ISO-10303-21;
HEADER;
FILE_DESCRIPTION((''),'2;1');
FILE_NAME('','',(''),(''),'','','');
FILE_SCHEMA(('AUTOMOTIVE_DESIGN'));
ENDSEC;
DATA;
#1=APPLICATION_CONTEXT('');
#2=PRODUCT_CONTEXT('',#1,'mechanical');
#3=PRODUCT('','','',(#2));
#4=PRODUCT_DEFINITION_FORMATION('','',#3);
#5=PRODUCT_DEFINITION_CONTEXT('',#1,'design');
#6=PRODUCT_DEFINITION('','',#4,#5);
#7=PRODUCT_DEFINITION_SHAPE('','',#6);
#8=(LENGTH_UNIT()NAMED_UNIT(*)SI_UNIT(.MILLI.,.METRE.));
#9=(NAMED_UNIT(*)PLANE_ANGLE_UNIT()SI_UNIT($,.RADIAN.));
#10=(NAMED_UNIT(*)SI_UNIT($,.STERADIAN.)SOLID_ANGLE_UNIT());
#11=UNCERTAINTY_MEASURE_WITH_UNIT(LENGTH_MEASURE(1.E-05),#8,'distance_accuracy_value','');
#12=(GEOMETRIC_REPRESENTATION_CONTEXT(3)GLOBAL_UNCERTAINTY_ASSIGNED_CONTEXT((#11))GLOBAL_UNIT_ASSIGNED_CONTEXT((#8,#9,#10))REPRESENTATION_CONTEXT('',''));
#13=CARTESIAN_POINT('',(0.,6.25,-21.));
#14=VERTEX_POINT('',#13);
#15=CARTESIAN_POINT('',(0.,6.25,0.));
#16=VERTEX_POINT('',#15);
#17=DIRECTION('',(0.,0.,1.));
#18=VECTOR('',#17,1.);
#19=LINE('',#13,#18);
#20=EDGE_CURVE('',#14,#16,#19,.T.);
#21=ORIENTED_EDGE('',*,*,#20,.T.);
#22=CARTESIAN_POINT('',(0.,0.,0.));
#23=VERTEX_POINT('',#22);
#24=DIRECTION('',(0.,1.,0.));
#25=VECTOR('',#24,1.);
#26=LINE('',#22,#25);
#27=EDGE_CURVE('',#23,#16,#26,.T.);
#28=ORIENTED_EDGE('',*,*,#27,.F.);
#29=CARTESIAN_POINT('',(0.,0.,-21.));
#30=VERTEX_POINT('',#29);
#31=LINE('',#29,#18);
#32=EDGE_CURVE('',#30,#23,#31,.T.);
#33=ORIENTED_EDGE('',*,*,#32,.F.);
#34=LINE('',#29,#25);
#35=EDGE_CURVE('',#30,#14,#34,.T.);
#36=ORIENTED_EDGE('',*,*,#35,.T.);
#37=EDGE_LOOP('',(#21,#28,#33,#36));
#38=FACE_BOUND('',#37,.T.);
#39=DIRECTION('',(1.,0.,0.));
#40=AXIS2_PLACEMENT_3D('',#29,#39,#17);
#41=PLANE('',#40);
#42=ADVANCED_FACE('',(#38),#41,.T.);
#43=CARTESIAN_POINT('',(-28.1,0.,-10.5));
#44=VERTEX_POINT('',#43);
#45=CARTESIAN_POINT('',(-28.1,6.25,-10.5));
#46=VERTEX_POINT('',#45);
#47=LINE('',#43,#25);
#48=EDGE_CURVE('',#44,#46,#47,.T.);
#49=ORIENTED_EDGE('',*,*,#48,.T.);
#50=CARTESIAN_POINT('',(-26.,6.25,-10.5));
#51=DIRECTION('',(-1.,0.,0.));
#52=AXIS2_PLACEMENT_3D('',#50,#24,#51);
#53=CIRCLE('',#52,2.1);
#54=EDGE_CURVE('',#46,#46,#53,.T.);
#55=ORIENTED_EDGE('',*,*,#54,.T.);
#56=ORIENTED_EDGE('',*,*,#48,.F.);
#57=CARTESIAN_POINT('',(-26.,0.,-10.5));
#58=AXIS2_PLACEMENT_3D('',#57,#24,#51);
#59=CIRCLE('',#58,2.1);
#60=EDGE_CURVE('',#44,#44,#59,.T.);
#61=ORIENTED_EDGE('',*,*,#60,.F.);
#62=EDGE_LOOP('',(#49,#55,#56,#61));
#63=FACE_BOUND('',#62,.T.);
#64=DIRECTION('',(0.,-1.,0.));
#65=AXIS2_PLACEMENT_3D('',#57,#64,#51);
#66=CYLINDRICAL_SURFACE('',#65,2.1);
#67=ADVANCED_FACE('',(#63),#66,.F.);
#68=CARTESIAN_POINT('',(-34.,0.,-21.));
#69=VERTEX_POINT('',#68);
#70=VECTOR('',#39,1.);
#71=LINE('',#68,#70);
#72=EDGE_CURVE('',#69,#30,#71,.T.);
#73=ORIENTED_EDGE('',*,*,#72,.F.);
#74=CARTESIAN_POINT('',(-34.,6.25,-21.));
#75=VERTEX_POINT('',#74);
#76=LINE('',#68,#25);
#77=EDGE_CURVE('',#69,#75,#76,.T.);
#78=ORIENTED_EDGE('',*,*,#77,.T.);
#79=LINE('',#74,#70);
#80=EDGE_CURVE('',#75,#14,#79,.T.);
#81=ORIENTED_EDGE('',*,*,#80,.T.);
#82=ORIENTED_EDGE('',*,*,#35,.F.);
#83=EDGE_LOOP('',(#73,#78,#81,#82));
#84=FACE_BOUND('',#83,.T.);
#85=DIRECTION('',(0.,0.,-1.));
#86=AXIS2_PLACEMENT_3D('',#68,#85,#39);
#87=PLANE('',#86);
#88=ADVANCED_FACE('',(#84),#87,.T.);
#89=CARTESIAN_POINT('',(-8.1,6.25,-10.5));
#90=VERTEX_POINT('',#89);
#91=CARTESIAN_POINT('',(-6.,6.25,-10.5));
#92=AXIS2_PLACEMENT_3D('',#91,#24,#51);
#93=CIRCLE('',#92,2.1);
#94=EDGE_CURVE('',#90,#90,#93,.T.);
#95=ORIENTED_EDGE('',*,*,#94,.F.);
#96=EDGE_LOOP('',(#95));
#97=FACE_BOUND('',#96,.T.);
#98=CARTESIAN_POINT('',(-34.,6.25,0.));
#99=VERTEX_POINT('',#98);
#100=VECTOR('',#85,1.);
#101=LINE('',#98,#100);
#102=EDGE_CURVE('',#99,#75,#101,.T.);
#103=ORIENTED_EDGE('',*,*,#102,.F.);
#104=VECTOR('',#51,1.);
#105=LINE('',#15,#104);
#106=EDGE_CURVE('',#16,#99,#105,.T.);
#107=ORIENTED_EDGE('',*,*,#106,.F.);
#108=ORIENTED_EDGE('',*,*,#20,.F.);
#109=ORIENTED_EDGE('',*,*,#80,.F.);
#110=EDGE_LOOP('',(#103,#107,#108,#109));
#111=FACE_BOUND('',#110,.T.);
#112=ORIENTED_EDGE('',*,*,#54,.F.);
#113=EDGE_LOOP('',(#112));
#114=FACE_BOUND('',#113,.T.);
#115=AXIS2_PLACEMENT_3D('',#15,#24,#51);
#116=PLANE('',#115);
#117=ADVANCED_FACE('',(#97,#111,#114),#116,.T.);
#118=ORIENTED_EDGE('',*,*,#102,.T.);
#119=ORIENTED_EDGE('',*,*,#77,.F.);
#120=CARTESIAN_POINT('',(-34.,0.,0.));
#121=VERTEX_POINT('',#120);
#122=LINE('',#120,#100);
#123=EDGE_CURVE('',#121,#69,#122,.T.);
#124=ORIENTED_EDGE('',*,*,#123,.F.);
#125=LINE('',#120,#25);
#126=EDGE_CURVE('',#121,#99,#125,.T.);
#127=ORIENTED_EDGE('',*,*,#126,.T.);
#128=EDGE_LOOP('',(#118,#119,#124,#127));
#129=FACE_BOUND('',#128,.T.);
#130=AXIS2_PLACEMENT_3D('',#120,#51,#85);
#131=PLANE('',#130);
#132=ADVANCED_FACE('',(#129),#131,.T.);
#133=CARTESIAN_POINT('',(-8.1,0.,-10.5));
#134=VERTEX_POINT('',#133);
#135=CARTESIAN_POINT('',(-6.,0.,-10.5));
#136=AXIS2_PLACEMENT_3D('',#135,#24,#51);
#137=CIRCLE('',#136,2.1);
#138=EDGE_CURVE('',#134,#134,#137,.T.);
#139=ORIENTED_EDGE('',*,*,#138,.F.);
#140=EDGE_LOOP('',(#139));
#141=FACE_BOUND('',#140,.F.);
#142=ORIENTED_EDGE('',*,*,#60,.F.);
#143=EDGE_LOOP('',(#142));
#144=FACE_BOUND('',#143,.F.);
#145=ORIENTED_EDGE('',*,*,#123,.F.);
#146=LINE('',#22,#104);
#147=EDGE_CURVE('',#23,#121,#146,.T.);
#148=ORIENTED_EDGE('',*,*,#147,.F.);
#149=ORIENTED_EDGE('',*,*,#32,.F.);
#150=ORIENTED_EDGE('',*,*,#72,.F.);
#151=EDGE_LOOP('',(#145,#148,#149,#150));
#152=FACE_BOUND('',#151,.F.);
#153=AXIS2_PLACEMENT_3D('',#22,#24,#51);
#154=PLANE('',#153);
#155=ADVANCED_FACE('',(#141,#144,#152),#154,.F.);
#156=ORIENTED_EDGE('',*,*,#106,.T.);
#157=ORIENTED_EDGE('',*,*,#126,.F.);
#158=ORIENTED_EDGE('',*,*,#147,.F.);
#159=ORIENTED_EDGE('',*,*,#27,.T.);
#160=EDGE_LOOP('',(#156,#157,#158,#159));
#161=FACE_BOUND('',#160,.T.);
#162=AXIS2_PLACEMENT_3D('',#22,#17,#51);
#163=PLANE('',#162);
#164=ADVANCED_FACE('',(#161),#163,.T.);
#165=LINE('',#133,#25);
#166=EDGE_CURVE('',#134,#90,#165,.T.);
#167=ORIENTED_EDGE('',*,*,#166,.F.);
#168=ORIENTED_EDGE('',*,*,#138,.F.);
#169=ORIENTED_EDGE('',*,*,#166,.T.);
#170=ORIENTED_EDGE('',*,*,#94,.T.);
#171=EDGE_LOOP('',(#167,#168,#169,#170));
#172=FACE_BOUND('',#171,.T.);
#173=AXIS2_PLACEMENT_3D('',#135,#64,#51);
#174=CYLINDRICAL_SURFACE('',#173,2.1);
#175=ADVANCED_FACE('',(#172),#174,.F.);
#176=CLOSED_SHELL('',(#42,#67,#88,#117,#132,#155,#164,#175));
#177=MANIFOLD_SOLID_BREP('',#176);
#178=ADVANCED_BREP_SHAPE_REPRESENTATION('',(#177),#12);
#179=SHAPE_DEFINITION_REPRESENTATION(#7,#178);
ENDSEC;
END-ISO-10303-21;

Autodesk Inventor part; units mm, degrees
ref_plane "YZ Plane" through (0, 0, 0) normal (1, 0, 0) x (0, 1, 0)
ref_plane "XZ Plane" through (0, 0, 0) normal (0, 1, 0) x (-1, 0, 0)
ref_plane "XY Plane" through (0, 0, 0) normal (0, 0, 1) x (1, 0, 0)
sketch "Sketch1" plane through (0, 0, 0) normal (0, 1, 0) x (-1, 0, 0)
  point P0 (0, 0)
sketch "Sketch2" plane through (0, 0, 0) normal (0, 1, 0) x (-1, 0, 0)
  line L0 (0, 0) -> (34, 0)
  line L1 (34, 0) -> (34, -21)
  line L2 (34, -21) -> (0, -21)
  line L3 (0, -21) -> (0, 0)
  circle A0 centre (26, -10.5) radius 2.1
  circle A1 centre (6, -10.5) radius 2.1
  dimension "d0" = 34
  dimension "d1" = 21
  dimension "d4" = 4.2
  dimension "d5" = 4.2
extrude "Extrusion1" add sketch "Sketch2" along normal blind 6.25
properties part number "g_spacer_v"
